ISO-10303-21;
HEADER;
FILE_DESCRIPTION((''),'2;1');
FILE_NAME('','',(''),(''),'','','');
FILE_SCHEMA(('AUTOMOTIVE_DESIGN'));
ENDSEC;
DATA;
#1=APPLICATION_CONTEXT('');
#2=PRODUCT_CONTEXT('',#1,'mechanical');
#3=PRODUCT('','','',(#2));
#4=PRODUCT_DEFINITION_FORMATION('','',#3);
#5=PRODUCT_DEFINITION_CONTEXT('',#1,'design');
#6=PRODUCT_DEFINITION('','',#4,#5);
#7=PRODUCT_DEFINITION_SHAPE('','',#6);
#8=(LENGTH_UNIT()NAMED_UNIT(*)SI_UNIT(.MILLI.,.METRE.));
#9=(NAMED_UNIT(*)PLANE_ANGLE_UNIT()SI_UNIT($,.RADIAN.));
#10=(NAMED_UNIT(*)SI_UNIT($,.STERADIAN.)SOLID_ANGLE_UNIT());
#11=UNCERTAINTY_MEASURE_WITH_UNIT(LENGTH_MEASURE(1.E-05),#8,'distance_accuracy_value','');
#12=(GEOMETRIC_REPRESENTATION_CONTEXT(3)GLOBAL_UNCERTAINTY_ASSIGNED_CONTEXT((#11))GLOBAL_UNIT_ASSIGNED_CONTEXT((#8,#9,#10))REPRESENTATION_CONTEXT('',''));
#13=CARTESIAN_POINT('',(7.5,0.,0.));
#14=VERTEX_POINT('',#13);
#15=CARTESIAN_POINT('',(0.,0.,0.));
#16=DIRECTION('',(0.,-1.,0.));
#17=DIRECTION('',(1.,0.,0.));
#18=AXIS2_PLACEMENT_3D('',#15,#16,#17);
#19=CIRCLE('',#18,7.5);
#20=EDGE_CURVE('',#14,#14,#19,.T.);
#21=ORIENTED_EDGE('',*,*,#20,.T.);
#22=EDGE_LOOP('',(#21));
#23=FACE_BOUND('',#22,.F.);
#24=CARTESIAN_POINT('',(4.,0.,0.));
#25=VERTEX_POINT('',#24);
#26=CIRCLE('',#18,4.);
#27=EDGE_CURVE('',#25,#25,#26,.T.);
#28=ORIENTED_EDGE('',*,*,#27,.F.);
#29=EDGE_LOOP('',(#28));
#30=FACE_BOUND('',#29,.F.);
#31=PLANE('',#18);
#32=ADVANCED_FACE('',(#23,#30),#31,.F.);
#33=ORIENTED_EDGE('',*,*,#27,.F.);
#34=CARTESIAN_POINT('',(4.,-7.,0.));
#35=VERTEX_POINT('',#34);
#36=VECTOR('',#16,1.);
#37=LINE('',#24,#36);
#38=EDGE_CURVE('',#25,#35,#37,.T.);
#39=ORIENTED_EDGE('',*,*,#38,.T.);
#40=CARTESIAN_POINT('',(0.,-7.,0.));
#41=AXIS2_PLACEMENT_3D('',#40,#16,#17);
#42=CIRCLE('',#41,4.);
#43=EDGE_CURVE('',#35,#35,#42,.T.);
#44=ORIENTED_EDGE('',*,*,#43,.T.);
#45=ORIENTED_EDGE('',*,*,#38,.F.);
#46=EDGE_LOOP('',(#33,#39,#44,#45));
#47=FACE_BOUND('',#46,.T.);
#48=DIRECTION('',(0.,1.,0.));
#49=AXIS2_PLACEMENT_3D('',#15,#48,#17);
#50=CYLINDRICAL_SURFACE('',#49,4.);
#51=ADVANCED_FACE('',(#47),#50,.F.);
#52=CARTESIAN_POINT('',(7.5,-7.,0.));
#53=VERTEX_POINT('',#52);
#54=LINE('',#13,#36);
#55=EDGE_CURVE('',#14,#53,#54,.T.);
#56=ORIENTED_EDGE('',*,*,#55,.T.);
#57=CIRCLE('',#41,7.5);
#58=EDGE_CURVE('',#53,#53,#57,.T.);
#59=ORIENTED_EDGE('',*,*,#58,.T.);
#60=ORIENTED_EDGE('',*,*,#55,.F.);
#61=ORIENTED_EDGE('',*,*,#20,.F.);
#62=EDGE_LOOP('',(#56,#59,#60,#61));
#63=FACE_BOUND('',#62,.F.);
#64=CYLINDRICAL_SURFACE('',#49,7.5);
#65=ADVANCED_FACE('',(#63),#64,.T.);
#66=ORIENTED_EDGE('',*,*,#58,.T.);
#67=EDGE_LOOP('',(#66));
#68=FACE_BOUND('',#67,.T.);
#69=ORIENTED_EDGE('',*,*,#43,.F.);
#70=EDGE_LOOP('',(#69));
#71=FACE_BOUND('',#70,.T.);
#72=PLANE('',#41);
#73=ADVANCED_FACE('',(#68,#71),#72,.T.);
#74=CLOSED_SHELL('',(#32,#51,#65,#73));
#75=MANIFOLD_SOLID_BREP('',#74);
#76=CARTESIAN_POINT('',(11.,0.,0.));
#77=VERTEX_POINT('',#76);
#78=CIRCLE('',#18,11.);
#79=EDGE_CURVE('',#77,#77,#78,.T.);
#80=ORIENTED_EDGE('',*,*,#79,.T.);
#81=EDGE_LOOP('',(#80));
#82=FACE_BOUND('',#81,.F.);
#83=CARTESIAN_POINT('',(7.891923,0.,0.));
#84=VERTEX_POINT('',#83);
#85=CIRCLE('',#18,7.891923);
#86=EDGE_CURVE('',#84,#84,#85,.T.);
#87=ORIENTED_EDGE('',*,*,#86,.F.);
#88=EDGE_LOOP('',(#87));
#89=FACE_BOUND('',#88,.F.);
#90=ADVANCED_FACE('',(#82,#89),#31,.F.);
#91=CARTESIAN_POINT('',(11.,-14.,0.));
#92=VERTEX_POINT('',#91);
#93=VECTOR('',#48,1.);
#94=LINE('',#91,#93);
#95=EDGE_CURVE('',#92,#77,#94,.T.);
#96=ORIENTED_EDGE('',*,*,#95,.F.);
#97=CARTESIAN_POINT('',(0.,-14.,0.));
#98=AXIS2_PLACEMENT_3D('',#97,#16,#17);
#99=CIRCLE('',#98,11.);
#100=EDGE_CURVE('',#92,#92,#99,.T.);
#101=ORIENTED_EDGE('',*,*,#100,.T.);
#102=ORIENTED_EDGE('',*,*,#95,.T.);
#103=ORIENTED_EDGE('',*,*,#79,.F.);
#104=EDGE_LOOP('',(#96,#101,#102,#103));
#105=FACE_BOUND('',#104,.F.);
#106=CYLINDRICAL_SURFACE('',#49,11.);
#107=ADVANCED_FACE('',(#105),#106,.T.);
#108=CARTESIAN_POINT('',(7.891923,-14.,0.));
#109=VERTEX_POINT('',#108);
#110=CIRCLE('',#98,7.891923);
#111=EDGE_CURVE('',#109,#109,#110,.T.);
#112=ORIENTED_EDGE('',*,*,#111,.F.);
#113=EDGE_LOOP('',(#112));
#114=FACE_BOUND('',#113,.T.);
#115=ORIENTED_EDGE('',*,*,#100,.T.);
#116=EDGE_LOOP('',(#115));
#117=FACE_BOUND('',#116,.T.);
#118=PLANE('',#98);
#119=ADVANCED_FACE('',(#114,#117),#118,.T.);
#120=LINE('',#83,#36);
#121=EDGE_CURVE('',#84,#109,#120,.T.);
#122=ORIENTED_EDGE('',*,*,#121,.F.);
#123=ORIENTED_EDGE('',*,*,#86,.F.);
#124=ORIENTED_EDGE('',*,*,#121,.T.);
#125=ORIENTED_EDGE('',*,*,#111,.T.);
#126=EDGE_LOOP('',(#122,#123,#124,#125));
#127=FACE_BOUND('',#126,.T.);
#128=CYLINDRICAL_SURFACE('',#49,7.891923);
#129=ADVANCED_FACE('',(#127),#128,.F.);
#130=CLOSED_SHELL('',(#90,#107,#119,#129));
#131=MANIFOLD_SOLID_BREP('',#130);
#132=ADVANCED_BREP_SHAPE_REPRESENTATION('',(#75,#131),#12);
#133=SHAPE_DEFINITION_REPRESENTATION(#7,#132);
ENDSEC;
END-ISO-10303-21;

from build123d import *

# Parameters (mm, degrees)
F0_R        = 7.5
F0_R_2      = 4
F1_DEPTH    = 7
F2_R        = 11
F2_R_2      = 7.891923
F3_DEPTH    = 7
F3_FACE_R   = 11
F3_FACE_R_2 = 7.891923
F4_DEPTH    = 7


with BuildPart() as f1:
    # F0 (on Front) → F1 (new body)
    with BuildSketch(Plane.XZ):
        Circle(F0_R)
        Circle(F0_R_2, mode=Mode.SUBTRACT)
    extrude(amount=F1_DEPTH)


with BuildPart() as f3:
    # F2 (on Front) → F3 (new body)
    with BuildSketch(Plane.XZ):
        Circle(F2_R)
        Circle(F2_R_2, mode=Mode.SUBTRACT)
    extrude(amount=F3_DEPTH)

    # F2 (on Front) + F3_face (on face) → F4 (join)
    with BuildSketch(Plane.XZ):
        Circle(F2_R)
        Circle(F2_R_2, mode=Mode.SUBTRACT)
    with BuildSketch(Plane.XZ.offset(7)):
        Circle(F3_FACE_R)
        Circle(F3_FACE_R_2, mode=Mode.SUBTRACT)
    extrude(amount=F4_DEPTH)


solid = Compound([f1.part, f3.part])
